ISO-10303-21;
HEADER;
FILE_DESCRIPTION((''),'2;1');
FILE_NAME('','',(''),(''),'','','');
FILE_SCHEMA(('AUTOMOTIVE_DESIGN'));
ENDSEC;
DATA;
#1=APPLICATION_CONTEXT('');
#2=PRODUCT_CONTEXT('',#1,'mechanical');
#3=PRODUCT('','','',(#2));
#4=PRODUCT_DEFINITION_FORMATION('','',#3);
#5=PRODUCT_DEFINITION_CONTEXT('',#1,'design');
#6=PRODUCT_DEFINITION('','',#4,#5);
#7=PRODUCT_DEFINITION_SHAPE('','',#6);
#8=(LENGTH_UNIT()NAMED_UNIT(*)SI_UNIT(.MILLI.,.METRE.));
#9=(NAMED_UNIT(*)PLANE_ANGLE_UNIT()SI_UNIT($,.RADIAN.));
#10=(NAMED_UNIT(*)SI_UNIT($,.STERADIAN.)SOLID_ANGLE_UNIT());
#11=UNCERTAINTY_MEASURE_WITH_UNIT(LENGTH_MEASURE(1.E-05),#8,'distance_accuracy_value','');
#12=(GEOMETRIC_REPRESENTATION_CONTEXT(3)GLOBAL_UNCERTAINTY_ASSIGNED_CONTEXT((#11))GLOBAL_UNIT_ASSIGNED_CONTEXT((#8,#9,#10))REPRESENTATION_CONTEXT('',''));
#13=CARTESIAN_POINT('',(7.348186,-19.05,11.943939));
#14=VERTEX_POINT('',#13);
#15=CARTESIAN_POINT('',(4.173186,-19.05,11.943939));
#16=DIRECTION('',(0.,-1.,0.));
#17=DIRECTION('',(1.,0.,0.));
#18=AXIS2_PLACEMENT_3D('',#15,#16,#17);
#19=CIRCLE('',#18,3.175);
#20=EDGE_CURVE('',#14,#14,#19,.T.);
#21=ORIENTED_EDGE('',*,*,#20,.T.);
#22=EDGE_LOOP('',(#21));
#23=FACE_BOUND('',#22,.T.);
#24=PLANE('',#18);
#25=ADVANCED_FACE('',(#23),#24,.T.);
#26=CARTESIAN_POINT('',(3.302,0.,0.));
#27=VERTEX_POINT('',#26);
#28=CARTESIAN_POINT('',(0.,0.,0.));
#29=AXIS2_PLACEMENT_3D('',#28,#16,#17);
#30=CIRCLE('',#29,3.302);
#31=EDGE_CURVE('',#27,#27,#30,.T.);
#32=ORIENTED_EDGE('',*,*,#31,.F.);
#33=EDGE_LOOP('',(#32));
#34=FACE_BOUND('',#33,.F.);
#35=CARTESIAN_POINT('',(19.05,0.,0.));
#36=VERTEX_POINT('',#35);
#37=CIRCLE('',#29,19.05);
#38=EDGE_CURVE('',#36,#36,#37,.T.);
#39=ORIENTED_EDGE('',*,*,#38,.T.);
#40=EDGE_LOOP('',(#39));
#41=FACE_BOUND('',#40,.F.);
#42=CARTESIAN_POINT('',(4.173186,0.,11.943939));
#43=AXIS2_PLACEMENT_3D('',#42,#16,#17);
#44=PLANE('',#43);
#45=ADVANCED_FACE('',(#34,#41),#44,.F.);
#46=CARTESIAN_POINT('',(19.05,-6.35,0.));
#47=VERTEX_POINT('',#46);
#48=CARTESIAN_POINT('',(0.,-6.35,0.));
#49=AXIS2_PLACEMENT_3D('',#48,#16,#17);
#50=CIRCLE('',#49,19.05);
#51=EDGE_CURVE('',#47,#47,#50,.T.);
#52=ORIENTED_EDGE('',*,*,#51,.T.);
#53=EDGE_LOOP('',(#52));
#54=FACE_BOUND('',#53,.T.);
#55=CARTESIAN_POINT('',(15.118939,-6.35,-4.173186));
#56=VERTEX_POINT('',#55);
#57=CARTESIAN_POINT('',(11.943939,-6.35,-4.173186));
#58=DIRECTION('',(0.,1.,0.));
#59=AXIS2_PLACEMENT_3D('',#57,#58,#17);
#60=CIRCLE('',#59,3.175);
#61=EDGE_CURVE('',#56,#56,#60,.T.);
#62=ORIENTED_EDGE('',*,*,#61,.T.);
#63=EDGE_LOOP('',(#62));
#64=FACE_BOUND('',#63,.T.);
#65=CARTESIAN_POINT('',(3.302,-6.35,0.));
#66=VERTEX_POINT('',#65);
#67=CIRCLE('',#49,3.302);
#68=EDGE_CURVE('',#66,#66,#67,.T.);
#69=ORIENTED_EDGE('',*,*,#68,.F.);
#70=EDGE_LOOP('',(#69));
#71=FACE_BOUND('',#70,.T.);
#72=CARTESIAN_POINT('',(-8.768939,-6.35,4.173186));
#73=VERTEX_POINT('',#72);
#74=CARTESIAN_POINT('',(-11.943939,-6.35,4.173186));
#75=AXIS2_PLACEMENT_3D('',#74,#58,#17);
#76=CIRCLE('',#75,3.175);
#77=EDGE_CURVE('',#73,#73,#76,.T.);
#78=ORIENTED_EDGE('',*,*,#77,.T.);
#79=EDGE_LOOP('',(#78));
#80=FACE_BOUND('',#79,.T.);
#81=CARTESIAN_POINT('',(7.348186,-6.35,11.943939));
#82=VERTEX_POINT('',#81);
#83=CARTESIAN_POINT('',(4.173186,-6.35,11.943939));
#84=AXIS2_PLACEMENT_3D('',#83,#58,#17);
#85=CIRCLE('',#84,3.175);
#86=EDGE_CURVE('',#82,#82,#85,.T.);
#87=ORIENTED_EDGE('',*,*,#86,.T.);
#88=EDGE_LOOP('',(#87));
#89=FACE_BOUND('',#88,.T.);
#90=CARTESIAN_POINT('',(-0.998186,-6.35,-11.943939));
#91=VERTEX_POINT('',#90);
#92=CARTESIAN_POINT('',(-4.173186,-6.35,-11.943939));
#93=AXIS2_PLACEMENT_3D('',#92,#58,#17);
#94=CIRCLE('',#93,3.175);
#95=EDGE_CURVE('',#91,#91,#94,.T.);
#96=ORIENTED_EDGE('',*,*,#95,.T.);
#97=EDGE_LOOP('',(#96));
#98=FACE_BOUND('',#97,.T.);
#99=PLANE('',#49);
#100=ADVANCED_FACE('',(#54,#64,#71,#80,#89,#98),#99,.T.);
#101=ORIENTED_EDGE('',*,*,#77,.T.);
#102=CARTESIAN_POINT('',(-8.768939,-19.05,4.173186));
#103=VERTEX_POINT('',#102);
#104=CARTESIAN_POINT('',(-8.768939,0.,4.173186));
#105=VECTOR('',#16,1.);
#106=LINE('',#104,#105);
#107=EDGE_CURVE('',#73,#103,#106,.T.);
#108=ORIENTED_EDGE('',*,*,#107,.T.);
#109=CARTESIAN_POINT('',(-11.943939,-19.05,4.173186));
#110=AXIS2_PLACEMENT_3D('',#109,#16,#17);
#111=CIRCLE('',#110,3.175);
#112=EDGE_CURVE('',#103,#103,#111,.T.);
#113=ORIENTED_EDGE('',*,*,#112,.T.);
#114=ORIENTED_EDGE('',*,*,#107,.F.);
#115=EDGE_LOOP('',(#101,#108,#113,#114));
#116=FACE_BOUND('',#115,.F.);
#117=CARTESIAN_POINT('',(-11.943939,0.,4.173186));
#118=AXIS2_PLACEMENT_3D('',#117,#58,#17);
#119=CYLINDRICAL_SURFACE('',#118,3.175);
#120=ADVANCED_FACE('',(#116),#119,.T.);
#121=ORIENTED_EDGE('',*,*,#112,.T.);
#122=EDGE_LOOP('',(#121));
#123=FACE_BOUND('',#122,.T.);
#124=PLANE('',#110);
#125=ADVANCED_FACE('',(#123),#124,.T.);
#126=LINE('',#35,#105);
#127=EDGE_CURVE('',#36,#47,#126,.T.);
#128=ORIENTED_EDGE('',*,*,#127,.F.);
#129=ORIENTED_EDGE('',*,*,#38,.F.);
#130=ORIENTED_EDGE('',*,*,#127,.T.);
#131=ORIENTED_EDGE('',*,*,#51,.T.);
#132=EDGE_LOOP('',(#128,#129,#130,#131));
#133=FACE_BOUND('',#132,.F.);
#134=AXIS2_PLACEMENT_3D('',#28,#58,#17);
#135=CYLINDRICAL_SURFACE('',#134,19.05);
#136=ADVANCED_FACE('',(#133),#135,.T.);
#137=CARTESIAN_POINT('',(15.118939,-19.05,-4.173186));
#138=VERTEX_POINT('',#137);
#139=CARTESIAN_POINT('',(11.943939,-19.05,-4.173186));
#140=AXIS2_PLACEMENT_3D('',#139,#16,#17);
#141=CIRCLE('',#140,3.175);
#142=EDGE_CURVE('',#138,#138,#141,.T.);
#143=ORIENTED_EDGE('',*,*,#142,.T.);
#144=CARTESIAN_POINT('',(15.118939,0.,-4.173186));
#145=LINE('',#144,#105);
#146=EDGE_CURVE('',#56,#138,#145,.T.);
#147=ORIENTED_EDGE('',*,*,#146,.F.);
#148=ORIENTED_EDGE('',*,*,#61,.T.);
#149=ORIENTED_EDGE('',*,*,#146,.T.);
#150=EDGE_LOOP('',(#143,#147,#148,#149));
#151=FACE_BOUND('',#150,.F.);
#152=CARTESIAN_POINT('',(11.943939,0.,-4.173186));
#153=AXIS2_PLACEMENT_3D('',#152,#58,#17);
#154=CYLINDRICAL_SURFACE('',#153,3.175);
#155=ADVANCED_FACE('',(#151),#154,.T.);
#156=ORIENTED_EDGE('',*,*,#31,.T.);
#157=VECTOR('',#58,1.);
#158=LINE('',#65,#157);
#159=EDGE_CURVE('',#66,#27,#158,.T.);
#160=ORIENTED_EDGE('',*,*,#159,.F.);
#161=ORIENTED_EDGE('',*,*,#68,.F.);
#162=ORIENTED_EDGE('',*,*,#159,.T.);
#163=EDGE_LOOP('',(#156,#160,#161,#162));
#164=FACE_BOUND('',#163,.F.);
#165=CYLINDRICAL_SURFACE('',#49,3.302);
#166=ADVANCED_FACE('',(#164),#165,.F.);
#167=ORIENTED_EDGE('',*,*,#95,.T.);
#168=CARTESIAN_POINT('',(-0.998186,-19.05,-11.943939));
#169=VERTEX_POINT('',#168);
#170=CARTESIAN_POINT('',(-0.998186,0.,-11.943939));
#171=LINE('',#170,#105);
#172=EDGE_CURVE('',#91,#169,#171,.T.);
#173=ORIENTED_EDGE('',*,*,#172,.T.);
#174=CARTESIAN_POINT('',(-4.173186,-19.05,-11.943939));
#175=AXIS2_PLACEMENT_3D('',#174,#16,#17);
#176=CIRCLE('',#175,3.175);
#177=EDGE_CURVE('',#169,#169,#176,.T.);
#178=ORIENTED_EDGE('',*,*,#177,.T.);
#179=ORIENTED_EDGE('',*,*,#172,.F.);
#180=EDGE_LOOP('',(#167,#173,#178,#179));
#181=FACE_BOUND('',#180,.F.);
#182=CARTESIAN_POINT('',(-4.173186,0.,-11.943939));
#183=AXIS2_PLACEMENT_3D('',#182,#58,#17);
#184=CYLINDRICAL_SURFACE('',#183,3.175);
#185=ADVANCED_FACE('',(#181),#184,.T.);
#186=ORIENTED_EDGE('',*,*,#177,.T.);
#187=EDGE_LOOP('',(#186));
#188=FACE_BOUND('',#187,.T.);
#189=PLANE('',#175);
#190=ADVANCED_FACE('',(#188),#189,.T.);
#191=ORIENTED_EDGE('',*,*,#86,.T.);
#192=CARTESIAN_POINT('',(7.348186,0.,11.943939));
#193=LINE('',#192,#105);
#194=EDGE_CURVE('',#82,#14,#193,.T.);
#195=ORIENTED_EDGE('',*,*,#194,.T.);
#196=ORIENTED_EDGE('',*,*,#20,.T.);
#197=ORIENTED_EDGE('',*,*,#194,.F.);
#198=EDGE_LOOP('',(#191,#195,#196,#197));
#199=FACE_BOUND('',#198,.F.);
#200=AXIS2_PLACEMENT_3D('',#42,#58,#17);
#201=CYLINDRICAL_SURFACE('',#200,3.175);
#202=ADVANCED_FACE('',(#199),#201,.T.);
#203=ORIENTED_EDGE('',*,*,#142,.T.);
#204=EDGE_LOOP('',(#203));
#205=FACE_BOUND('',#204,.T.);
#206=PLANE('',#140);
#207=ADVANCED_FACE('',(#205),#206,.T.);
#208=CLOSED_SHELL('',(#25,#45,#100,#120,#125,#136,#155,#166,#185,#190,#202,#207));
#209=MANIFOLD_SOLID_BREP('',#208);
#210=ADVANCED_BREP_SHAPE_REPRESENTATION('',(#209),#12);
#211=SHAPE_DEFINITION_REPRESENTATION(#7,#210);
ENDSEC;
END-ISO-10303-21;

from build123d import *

# Parameters (mm, degrees)
F0_R     = 19.05
F2_DEPTH = 6.35
F1_R     = 3.175
F3_DEPTH = 19.05
F4_R     = 3.302
F5_DEPTH = 25.4


with BuildPart() as f2:
    # F0 (on Front) → F2 (new body)
    with BuildSketch(Plane.XZ):
        Circle(F0_R)
    extrude(amount=F2_DEPTH)

    # F1 (on Front) → F3 (join)
    with BuildSketch(Plane.XZ):
        with Locations((4.173186, 11.943939)):
            Circle(F1_R)
        with Locations((-11.943939, 4.173186)):
            Circle(F1_R)
        with Locations((-4.173186, -11.943939)):
            Circle(F1_R)
        with Locations((11.943939, -4.173186)):
            Circle(F1_R)
    extrude(amount=F3_DEPTH)

    # F4 (on face) → F5 (cut)
    with BuildSketch(Plane.XZ.offset(6.35)):
        Circle(F4_R)
    extrude(amount=-F5_DEPTH, mode=Mode.SUBTRACT)


solid = f2.part
